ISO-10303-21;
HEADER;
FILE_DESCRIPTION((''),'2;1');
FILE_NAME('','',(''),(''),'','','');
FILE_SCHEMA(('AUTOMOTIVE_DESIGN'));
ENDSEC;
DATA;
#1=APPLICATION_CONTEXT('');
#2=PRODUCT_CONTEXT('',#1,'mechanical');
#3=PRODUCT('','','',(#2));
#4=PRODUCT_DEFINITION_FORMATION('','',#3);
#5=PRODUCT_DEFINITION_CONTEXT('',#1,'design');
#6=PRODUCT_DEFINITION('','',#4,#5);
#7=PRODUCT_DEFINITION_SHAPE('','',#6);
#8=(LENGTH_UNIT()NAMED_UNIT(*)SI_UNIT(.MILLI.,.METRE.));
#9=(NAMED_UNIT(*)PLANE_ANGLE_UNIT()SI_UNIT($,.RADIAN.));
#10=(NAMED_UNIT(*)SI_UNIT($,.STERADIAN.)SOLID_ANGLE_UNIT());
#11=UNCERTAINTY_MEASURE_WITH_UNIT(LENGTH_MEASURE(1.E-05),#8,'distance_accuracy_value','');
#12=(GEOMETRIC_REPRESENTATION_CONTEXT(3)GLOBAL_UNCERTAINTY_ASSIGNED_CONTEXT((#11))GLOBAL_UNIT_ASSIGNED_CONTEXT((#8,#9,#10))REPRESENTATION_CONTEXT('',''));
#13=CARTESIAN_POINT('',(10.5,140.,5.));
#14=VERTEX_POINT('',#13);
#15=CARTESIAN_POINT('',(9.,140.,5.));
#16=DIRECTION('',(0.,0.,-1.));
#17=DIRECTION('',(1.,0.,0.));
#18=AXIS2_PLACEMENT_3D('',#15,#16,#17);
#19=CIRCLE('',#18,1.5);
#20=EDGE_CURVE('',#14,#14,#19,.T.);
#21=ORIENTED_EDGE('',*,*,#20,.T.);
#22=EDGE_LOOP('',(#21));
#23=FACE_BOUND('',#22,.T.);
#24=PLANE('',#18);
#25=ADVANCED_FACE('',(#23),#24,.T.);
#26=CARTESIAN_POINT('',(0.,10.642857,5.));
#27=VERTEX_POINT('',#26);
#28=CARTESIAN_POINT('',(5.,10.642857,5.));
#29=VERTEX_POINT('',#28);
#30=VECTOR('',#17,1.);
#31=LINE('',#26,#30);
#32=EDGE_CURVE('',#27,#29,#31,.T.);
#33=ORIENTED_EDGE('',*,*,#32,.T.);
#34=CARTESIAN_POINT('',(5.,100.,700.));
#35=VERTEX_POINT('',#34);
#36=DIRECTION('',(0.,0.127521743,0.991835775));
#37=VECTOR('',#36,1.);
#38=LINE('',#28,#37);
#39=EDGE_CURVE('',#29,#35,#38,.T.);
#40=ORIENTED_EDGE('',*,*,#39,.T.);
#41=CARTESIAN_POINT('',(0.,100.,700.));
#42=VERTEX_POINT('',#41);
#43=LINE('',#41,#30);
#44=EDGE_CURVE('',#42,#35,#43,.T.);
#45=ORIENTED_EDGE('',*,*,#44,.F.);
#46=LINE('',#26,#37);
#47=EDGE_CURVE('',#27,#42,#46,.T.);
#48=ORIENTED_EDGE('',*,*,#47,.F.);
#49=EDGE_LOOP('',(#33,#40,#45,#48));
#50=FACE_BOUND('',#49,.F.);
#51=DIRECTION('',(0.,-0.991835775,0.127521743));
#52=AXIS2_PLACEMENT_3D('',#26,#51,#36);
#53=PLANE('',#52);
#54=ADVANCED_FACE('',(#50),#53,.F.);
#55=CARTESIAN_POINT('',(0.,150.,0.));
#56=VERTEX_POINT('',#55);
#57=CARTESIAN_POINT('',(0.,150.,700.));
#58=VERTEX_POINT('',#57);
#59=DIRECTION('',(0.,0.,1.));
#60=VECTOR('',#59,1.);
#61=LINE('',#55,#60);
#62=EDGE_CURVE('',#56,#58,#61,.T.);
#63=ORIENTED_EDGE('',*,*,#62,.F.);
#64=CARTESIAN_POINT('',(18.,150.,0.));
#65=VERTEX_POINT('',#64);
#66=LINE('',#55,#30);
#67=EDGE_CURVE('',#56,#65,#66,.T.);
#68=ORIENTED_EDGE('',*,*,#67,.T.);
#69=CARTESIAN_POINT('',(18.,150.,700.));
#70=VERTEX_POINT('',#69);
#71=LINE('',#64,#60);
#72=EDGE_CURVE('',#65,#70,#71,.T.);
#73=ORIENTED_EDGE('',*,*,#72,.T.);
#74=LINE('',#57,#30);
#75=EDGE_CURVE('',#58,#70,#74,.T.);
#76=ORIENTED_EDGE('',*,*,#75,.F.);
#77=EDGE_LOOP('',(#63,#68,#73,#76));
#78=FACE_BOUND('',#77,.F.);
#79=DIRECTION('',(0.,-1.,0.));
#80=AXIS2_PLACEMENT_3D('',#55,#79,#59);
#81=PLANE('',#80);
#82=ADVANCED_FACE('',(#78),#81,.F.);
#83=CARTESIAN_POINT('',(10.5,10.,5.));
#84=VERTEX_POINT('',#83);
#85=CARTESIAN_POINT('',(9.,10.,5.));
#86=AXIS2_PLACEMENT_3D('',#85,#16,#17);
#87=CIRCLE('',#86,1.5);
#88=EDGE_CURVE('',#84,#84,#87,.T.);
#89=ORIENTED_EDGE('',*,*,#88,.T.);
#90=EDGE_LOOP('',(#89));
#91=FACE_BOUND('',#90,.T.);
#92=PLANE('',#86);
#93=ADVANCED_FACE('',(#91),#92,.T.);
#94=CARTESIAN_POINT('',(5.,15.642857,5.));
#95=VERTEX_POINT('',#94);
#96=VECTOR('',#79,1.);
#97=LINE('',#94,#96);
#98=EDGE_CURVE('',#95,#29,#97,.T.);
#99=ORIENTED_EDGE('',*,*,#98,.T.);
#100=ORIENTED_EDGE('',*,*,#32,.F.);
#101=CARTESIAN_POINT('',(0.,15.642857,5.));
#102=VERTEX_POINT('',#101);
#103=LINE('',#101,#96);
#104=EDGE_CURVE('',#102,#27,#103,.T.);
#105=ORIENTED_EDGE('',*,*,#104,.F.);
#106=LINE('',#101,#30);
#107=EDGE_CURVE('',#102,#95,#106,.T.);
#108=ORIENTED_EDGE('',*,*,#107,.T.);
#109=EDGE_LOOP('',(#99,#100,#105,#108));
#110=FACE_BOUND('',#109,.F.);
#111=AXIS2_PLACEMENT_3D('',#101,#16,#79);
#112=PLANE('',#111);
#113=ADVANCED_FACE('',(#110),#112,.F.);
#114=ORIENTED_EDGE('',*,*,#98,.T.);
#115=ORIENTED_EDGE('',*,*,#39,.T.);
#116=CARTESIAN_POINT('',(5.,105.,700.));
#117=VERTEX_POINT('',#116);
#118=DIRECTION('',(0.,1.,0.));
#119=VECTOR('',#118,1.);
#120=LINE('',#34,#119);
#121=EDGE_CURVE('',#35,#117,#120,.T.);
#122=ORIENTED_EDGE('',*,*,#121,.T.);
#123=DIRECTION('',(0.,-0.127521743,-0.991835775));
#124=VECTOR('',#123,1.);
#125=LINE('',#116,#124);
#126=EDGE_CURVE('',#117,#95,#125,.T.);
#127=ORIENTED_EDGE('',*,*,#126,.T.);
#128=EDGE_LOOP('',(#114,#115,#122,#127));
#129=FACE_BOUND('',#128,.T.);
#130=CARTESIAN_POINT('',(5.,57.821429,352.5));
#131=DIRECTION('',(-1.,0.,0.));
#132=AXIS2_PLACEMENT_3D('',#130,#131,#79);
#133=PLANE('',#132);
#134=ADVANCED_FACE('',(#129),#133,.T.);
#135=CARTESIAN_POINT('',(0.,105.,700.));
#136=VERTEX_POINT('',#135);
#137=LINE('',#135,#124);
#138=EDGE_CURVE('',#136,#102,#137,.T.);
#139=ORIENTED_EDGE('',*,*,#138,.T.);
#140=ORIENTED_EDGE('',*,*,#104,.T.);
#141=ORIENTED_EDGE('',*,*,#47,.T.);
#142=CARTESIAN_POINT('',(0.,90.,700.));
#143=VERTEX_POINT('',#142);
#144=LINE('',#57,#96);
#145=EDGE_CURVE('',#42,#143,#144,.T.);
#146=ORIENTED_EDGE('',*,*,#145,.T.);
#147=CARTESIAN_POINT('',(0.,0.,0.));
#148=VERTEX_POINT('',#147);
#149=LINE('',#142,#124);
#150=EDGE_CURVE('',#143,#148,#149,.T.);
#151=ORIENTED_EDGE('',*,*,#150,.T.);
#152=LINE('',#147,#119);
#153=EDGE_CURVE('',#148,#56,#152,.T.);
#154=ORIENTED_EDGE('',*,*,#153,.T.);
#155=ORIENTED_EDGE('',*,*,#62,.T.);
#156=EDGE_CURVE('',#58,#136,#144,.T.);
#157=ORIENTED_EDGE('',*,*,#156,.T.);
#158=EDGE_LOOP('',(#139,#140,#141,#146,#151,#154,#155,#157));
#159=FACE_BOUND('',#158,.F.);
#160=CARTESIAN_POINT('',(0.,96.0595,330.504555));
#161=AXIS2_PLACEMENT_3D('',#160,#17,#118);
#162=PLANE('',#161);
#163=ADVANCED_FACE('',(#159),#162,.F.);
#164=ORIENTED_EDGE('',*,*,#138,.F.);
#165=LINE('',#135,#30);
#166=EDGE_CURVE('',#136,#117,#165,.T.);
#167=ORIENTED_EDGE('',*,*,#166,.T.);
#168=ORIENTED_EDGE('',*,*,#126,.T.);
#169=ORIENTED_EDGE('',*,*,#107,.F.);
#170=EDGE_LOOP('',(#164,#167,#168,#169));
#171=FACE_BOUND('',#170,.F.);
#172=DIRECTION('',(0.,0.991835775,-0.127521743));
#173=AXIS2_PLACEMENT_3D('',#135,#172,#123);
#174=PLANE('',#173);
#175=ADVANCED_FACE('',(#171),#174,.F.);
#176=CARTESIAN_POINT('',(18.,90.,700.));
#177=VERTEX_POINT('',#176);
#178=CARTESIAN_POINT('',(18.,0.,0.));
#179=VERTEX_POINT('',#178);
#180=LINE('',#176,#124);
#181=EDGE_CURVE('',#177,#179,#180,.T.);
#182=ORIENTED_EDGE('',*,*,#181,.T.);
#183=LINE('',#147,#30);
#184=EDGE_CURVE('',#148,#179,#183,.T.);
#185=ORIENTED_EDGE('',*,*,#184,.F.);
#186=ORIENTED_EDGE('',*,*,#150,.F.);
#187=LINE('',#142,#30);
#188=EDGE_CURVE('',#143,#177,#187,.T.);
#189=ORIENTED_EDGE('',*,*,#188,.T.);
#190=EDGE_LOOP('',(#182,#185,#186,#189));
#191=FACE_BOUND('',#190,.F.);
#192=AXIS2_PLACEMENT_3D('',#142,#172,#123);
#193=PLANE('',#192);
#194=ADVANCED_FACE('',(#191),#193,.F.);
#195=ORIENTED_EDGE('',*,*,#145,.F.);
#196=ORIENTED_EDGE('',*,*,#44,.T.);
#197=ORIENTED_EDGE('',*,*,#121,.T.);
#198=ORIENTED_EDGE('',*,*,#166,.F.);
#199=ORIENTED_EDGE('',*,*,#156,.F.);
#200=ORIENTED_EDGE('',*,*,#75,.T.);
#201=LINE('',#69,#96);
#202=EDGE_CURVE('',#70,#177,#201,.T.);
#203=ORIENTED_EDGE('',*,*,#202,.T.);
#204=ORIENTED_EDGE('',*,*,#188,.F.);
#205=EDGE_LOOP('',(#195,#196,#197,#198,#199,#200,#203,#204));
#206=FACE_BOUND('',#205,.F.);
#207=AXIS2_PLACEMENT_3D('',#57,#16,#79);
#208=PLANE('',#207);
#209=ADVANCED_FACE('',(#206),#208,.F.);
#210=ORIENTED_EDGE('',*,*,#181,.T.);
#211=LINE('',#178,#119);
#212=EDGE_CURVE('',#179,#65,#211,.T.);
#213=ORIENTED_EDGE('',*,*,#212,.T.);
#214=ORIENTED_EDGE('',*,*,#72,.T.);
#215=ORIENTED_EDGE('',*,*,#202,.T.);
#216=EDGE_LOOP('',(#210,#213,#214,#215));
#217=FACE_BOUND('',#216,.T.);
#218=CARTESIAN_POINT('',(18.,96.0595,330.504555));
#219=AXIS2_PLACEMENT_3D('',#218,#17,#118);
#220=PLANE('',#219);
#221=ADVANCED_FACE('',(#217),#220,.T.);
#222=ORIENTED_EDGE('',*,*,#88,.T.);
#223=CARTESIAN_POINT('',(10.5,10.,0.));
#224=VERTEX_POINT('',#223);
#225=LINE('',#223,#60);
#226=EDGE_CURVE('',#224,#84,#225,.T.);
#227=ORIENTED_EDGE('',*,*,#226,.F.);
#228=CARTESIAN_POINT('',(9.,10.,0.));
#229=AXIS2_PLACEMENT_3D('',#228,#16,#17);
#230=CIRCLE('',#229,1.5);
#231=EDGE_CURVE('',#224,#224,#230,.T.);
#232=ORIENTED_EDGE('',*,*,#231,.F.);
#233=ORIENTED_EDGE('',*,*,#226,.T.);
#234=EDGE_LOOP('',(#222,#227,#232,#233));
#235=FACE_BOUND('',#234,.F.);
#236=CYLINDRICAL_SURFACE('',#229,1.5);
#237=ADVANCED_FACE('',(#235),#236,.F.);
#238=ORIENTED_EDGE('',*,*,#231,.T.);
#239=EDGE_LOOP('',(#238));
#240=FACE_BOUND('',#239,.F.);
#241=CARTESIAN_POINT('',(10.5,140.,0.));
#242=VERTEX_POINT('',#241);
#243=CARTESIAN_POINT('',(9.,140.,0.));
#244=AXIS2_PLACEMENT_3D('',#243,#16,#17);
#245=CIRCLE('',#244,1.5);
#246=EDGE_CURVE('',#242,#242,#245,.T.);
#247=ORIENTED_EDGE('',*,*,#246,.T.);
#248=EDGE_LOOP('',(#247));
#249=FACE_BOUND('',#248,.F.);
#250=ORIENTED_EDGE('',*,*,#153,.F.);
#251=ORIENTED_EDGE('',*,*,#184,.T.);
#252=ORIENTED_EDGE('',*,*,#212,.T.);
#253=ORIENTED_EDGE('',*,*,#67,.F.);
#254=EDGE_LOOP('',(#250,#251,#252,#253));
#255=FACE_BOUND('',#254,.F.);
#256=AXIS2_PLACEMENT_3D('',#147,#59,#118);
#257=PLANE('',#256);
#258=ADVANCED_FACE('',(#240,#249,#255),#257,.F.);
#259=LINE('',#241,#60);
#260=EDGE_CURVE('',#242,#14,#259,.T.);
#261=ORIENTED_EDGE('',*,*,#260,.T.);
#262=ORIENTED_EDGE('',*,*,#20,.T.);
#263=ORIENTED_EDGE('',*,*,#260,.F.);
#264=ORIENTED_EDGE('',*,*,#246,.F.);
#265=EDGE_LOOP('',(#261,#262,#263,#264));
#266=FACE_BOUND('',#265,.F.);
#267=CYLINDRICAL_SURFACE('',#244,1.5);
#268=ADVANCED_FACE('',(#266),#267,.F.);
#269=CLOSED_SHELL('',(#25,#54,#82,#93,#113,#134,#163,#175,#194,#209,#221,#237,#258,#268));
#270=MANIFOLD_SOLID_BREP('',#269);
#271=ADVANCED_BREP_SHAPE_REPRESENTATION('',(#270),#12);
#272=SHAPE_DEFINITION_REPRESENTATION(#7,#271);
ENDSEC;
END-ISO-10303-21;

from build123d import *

# Parameters (mm, degrees)
F1_DEPTH = 18
F3_DEPTH = 5
F4_R     = 1.5
F5_DEPTH = 5


with BuildPart() as f1:
    # F0 (on Right) → F1 (new body)
    with BuildSketch(Plane.YZ):
        Polygon((90, 700), (0, 0), (150, 0), (150, 700), align=None)
    extrude(amount=F1_DEPTH)

    # F2 (on face) → F3 (cut)
    with BuildSketch(Plane(origin=(0, 0, 0), x_dir=(0, -1, 0), z_dir=(-1, 0, 0))):
        Polygon((-15.642857, 5), (-10.642857, 5), (-100, 700), (-105, 700), align=None)
    extrude(amount=-F3_DEPTH, mode=Mode.SUBTRACT)

    # F4 (on face) → F5 (cut)
    with BuildSketch(Plane(origin=(0, 0, 0), x_dir=(1, 0, 0), z_dir=(0, 0, -1))):
        with Locations((9, -10)):
            Circle(F4_R)
        with Locations((9, -140)):
            Circle(F4_R)
    extrude(amount=-F5_DEPTH, mode=Mode.SUBTRACT)


solid = f1.part
